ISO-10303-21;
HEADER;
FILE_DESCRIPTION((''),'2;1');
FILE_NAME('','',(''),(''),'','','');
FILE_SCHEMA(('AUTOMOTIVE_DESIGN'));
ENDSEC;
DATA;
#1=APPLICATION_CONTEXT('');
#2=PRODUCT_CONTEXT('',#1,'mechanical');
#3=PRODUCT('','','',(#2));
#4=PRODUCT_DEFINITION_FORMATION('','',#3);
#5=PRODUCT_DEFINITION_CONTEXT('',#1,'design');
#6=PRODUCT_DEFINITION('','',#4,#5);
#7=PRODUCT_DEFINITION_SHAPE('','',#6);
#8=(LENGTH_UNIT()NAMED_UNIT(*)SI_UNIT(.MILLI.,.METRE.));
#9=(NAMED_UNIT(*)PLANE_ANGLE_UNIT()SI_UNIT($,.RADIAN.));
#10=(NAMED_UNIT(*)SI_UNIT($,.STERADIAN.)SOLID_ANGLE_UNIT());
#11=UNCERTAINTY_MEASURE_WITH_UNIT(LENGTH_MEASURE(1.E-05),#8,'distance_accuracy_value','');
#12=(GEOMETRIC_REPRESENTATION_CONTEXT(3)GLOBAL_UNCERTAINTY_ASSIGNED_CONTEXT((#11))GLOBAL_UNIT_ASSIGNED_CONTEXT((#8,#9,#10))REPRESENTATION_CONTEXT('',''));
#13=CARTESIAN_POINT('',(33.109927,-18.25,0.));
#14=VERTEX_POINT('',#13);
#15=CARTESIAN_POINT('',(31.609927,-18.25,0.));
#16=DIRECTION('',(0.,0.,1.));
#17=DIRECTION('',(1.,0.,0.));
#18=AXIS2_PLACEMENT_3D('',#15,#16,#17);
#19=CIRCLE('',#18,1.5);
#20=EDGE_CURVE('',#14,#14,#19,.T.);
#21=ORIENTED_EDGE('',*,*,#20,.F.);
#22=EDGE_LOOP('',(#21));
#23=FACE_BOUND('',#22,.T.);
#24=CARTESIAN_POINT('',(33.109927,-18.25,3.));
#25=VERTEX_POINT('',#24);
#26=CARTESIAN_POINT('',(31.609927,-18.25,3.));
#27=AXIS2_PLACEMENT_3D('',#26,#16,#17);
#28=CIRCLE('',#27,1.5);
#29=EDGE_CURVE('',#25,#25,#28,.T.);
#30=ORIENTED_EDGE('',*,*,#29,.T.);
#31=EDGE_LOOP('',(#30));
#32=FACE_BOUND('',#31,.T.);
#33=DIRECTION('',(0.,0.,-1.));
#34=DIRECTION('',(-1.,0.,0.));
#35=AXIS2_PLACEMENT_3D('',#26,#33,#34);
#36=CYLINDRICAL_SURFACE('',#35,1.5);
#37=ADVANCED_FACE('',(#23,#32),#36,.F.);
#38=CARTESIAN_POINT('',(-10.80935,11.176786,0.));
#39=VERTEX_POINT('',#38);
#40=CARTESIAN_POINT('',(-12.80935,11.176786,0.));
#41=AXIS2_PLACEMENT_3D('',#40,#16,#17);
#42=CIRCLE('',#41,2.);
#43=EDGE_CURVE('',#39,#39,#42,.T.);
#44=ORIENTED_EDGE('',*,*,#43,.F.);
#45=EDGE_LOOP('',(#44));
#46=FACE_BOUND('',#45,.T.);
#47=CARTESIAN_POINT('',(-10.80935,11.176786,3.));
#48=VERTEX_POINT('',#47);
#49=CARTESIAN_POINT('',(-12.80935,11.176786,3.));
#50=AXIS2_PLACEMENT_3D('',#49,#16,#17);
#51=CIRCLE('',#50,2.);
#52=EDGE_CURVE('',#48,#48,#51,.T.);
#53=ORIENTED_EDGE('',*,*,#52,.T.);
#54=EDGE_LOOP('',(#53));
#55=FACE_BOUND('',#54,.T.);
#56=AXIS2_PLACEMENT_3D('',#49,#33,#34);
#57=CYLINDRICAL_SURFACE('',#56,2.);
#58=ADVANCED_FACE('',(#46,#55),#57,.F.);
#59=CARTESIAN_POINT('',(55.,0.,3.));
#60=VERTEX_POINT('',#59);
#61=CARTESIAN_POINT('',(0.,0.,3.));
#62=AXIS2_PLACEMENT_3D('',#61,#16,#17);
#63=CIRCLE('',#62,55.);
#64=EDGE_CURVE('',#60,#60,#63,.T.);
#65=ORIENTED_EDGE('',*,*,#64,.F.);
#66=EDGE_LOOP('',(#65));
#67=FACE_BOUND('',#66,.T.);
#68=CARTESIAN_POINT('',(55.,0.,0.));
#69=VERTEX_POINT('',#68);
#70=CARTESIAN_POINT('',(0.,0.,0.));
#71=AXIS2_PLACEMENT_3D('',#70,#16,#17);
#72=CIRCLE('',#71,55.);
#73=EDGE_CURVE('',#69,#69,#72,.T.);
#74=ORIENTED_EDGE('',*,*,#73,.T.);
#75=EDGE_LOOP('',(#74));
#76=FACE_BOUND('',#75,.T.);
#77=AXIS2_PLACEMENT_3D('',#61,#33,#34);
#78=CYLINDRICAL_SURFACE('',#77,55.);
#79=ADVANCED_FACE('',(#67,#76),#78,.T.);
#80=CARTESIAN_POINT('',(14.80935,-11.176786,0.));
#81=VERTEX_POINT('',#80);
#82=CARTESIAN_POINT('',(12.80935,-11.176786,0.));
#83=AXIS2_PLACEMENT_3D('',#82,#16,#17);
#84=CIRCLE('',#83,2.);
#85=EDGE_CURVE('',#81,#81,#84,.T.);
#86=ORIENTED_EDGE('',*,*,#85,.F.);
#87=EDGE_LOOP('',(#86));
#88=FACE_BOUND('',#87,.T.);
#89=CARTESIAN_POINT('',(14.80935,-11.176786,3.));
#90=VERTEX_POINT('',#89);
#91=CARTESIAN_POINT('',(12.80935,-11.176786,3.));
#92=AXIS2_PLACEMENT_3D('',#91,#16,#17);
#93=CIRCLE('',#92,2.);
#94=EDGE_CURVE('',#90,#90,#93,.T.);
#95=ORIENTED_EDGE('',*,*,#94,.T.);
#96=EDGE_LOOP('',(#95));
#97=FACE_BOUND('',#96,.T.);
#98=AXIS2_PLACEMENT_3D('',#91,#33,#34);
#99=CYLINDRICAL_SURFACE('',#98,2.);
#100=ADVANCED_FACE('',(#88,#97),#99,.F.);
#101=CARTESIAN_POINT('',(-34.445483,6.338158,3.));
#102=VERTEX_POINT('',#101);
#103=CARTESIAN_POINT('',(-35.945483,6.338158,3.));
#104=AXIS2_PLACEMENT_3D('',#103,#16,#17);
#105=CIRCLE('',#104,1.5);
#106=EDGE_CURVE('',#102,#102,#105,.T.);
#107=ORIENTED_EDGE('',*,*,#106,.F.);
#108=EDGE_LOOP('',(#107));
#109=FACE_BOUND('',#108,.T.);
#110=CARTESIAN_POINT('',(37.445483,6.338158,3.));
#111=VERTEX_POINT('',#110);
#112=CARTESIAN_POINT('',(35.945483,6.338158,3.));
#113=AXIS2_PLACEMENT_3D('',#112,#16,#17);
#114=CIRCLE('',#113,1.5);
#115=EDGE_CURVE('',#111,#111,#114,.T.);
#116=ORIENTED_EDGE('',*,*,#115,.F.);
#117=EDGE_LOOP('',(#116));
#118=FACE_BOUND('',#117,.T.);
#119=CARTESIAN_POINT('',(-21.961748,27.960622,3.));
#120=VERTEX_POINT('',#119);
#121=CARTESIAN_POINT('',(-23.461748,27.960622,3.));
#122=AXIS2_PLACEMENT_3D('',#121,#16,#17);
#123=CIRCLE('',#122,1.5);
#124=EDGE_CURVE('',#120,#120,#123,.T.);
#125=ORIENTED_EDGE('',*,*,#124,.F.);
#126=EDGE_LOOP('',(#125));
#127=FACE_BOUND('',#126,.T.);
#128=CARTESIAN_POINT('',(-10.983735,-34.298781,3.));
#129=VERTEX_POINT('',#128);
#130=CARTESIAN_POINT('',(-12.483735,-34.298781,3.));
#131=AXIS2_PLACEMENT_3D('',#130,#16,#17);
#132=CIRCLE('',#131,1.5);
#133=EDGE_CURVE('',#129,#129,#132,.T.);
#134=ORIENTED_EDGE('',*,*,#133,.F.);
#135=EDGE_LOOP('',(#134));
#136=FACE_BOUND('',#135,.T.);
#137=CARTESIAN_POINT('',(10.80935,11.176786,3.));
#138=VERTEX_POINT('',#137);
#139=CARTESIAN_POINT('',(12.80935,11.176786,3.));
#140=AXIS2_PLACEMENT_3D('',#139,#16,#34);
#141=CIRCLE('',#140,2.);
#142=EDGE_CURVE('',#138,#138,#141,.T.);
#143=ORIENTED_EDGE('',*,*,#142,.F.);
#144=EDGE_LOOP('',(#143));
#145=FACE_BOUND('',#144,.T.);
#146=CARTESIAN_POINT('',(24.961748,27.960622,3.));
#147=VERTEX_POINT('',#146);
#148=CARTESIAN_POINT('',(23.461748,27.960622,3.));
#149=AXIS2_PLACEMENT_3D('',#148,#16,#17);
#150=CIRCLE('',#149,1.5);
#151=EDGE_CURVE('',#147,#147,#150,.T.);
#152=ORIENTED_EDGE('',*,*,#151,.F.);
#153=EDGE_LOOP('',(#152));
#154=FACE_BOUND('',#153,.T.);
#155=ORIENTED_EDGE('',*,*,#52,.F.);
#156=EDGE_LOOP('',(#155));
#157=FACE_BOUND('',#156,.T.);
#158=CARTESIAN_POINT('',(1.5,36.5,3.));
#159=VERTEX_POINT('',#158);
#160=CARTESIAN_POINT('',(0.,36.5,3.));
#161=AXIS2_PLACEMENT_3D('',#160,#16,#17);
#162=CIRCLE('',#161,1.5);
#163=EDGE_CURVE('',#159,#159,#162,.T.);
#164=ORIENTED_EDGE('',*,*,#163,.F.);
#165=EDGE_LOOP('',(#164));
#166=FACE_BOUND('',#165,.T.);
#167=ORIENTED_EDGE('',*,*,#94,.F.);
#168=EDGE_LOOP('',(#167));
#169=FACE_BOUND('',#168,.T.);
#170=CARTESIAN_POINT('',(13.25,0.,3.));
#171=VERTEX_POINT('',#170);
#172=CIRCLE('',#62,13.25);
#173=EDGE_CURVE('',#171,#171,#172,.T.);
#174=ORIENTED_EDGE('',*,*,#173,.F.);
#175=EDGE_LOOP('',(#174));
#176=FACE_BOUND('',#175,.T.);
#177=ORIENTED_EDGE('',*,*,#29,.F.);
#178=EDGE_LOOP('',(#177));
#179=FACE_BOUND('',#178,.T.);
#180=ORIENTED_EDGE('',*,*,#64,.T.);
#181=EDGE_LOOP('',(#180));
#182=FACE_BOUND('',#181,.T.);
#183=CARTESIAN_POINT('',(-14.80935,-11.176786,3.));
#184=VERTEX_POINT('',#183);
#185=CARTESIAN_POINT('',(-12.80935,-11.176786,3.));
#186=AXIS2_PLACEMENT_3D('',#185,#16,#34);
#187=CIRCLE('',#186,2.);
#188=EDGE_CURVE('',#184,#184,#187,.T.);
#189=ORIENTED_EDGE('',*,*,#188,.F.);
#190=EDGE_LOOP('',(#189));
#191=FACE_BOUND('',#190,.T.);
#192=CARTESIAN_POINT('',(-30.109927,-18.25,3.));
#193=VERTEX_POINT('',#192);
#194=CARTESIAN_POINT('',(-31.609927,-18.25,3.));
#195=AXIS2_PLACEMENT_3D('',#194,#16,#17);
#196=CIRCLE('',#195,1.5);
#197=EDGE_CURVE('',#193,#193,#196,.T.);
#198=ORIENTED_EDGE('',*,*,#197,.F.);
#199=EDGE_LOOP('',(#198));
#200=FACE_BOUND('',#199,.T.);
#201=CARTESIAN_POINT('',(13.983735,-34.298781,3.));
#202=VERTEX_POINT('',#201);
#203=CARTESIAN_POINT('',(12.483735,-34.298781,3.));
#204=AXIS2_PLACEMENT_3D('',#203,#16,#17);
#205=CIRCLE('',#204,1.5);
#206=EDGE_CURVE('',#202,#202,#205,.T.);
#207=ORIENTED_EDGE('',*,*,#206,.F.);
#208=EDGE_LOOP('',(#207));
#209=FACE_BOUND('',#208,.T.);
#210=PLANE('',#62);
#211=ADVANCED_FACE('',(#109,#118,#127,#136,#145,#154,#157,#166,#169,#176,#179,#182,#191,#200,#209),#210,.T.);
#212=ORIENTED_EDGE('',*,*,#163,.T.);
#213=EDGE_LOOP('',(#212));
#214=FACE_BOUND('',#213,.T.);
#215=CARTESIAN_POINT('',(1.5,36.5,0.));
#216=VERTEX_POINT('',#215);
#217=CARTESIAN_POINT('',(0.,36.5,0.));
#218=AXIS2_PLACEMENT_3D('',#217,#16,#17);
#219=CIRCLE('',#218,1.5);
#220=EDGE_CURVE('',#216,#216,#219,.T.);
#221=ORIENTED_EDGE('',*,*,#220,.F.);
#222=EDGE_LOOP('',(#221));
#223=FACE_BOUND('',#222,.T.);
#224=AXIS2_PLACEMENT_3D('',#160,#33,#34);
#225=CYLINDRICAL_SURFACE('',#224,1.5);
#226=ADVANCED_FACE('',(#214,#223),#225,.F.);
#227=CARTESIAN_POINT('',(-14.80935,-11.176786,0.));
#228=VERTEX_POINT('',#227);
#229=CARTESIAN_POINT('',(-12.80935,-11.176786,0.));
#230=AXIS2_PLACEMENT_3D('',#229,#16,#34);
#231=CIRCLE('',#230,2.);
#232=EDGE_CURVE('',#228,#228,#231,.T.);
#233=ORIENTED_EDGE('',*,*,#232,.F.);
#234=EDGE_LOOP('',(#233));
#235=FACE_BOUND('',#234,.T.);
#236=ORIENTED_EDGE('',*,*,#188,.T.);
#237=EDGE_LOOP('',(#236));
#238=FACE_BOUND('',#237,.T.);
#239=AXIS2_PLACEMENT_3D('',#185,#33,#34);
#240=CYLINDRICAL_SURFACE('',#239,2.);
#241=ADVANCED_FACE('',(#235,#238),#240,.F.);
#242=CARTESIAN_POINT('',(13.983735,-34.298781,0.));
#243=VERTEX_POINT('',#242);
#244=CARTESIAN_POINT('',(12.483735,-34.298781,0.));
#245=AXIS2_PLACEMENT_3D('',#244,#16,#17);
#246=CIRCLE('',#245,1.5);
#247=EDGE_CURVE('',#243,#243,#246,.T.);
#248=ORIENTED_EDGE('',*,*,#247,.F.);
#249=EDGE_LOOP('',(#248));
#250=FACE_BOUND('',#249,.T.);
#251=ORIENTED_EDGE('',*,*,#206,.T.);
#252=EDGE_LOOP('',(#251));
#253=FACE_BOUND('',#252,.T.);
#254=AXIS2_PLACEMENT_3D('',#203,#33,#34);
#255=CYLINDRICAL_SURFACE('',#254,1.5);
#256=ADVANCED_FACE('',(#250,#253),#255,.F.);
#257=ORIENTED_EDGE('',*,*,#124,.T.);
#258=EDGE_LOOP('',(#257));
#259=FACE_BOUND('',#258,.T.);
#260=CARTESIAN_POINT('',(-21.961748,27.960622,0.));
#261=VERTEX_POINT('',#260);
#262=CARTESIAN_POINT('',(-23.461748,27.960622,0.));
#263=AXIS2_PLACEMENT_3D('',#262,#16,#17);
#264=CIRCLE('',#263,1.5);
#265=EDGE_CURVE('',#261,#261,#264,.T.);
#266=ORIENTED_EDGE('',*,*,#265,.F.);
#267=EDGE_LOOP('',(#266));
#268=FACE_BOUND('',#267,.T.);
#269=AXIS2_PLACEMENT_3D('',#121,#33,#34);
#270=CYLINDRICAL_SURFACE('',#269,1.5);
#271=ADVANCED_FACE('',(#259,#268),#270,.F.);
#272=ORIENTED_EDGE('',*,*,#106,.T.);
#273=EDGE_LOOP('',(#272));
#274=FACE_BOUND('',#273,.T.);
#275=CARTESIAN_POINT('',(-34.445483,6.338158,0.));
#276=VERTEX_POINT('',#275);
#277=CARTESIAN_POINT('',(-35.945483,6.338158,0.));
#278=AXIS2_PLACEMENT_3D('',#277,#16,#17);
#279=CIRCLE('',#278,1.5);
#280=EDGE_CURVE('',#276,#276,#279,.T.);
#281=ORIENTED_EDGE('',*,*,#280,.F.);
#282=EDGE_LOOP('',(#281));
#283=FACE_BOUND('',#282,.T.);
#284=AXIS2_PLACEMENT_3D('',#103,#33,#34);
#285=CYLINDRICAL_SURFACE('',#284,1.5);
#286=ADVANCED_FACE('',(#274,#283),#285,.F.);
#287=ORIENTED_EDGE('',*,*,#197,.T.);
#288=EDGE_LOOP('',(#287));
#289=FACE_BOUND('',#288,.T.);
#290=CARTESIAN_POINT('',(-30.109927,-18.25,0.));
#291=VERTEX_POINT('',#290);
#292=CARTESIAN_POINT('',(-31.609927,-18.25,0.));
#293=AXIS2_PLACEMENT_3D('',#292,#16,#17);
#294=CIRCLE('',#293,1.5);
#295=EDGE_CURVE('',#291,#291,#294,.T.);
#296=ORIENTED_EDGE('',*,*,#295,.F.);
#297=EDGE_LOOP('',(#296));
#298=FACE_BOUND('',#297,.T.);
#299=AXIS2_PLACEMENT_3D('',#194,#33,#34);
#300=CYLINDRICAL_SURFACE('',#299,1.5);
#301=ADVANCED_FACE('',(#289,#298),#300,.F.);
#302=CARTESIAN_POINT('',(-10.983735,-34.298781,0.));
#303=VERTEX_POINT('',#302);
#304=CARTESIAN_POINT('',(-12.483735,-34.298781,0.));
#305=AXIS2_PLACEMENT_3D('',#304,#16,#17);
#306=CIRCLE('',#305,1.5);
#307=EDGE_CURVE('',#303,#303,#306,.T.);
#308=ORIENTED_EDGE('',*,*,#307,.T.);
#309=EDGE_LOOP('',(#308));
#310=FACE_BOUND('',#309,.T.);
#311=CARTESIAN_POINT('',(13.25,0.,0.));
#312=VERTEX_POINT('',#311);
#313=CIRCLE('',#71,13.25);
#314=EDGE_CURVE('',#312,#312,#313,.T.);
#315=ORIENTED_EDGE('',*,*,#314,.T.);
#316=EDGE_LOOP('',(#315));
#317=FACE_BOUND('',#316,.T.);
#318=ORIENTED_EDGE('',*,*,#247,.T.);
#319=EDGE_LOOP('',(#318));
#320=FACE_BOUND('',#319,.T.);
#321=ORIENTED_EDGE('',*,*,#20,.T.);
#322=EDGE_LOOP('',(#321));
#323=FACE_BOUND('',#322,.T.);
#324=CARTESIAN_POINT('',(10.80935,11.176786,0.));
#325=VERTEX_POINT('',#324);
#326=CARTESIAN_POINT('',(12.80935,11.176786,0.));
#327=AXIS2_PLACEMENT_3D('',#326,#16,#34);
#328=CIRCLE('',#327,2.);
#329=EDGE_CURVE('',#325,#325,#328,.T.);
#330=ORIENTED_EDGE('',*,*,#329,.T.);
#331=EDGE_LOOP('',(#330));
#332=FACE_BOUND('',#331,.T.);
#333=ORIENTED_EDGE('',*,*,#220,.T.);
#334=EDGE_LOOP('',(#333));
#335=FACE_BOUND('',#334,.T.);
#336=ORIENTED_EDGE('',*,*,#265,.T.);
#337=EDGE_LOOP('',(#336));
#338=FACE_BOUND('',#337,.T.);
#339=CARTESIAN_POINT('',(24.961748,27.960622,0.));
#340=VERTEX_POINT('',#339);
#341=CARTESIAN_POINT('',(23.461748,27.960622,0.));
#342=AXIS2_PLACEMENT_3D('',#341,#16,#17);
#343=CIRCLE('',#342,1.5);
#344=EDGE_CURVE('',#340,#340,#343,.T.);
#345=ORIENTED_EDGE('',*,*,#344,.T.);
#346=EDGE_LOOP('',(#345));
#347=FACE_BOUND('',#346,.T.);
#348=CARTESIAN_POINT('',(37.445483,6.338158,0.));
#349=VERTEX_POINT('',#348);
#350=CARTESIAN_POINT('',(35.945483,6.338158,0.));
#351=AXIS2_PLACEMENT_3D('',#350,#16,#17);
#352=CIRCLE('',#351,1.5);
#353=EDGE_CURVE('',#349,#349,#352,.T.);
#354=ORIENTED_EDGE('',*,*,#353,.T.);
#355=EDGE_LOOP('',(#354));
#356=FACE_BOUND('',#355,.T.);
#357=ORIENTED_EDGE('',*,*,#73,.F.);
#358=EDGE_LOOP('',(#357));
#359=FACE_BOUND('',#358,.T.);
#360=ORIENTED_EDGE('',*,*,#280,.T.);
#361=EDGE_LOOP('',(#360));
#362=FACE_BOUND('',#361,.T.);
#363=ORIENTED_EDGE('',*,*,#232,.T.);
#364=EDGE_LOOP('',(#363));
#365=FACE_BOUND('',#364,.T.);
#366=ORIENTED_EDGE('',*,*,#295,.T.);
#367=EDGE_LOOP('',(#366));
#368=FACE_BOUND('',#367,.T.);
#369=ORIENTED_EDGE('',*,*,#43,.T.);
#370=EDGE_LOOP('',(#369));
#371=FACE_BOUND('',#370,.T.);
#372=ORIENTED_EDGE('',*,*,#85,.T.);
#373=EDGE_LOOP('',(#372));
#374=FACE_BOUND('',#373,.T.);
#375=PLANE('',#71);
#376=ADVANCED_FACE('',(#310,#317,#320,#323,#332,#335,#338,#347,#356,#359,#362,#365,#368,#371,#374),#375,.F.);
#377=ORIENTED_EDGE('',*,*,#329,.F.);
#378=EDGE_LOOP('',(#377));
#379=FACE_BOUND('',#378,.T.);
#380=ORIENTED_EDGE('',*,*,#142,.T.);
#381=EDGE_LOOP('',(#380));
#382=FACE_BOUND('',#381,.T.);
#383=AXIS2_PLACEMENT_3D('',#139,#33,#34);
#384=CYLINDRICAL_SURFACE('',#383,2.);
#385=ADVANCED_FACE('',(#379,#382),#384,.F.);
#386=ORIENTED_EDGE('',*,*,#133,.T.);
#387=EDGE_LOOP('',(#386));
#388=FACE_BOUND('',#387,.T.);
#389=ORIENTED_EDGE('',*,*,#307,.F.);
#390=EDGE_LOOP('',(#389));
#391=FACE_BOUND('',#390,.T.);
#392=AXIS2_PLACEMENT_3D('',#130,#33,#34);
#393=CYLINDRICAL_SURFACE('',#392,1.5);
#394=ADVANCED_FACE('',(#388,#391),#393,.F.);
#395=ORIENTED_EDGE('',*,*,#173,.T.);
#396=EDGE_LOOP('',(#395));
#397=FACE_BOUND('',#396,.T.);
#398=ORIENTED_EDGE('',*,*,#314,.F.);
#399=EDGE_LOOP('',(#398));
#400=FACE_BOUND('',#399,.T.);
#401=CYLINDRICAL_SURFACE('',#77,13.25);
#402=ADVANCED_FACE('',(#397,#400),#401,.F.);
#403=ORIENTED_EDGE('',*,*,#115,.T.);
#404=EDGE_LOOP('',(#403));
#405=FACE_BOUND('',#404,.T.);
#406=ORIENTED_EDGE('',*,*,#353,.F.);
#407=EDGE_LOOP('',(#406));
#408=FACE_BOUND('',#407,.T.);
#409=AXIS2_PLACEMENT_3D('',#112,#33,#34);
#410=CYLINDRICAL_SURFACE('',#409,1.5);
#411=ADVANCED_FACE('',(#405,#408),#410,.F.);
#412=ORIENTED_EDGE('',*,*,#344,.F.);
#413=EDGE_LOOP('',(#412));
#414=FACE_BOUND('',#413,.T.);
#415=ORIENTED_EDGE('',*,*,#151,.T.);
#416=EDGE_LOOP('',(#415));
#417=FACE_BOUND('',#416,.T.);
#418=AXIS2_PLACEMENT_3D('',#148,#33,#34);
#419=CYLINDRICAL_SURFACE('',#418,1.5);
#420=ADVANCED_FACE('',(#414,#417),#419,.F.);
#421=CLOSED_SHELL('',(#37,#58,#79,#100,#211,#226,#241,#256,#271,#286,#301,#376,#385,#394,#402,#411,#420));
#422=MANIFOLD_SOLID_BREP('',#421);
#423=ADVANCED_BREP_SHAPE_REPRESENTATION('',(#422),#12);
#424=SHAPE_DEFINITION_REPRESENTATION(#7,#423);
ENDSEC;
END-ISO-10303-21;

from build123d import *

# Parameters (mm, degrees)
SKETCH_1_R      = 55
SKETCH_1_R_2    = 1.5
SKETCH_1_R_3    = 13.25
SKETCH_1_R_4    = 2
EXTRUDE_1_DEPTH = 3


with BuildPart() as part:
    # 草图1 → 凸台-拉伸1 (new body)
    with BuildSketch(Plane.XY):
        Circle(SKETCH_1_R)
        with Locations((0, 36.5)):
            Circle(SKETCH_1_R_2, mode=Mode.SUBTRACT)
        with Locations((23.461747754, 27.960622174)):
            Circle(SKETCH_1_R_2, mode=Mode.SUBTRACT)
        with Locations((35.945482985, 6.338158485)):
            Circle(SKETCH_1_R_2, mode=Mode.SUBTRACT)
        with Locations((31.609927238, -18.25)):
            Circle(SKETCH_1_R_2, mode=Mode.SUBTRACT)
        with Locations((12.483735231, -34.298780659)):
            Circle(SKETCH_1_R_2, mode=Mode.SUBTRACT)
        with Locations((-12.483735231, -34.298780659)):
            Circle(SKETCH_1_R_2, mode=Mode.SUBTRACT)
        with Locations((-31.609927238, -18.25)):
            Circle(SKETCH_1_R_2, mode=Mode.SUBTRACT)
        with Locations((-35.945482985, 6.338158485)):
            Circle(SKETCH_1_R_2, mode=Mode.SUBTRACT)
        with Locations((-23.461747754, 27.960622174)):
            Circle(SKETCH_1_R_2, mode=Mode.SUBTRACT)
        Circle(SKETCH_1_R_3, mode=Mode.SUBTRACT)
        with Locations((-12.809350268, 11.176786018)):
            Circle(SKETCH_1_R_4, mode=Mode.SUBTRACT)
        with Locations(Location((12.809350268, 11.176786018, 0), (0, 0, 180))):
            Circle(SKETCH_1_R_4, mode=Mode.SUBTRACT)
        with Locations((12.809350268, -11.176786018)):
            Circle(SKETCH_1_R_4, mode=Mode.SUBTRACT)
        with Locations(Location((-12.809350268, -11.176786018, 0), (0, 0, 180))):
            Circle(SKETCH_1_R_4, mode=Mode.SUBTRACT)
    extrude(amount=EXTRUDE_1_DEPTH)


solid = part.part
